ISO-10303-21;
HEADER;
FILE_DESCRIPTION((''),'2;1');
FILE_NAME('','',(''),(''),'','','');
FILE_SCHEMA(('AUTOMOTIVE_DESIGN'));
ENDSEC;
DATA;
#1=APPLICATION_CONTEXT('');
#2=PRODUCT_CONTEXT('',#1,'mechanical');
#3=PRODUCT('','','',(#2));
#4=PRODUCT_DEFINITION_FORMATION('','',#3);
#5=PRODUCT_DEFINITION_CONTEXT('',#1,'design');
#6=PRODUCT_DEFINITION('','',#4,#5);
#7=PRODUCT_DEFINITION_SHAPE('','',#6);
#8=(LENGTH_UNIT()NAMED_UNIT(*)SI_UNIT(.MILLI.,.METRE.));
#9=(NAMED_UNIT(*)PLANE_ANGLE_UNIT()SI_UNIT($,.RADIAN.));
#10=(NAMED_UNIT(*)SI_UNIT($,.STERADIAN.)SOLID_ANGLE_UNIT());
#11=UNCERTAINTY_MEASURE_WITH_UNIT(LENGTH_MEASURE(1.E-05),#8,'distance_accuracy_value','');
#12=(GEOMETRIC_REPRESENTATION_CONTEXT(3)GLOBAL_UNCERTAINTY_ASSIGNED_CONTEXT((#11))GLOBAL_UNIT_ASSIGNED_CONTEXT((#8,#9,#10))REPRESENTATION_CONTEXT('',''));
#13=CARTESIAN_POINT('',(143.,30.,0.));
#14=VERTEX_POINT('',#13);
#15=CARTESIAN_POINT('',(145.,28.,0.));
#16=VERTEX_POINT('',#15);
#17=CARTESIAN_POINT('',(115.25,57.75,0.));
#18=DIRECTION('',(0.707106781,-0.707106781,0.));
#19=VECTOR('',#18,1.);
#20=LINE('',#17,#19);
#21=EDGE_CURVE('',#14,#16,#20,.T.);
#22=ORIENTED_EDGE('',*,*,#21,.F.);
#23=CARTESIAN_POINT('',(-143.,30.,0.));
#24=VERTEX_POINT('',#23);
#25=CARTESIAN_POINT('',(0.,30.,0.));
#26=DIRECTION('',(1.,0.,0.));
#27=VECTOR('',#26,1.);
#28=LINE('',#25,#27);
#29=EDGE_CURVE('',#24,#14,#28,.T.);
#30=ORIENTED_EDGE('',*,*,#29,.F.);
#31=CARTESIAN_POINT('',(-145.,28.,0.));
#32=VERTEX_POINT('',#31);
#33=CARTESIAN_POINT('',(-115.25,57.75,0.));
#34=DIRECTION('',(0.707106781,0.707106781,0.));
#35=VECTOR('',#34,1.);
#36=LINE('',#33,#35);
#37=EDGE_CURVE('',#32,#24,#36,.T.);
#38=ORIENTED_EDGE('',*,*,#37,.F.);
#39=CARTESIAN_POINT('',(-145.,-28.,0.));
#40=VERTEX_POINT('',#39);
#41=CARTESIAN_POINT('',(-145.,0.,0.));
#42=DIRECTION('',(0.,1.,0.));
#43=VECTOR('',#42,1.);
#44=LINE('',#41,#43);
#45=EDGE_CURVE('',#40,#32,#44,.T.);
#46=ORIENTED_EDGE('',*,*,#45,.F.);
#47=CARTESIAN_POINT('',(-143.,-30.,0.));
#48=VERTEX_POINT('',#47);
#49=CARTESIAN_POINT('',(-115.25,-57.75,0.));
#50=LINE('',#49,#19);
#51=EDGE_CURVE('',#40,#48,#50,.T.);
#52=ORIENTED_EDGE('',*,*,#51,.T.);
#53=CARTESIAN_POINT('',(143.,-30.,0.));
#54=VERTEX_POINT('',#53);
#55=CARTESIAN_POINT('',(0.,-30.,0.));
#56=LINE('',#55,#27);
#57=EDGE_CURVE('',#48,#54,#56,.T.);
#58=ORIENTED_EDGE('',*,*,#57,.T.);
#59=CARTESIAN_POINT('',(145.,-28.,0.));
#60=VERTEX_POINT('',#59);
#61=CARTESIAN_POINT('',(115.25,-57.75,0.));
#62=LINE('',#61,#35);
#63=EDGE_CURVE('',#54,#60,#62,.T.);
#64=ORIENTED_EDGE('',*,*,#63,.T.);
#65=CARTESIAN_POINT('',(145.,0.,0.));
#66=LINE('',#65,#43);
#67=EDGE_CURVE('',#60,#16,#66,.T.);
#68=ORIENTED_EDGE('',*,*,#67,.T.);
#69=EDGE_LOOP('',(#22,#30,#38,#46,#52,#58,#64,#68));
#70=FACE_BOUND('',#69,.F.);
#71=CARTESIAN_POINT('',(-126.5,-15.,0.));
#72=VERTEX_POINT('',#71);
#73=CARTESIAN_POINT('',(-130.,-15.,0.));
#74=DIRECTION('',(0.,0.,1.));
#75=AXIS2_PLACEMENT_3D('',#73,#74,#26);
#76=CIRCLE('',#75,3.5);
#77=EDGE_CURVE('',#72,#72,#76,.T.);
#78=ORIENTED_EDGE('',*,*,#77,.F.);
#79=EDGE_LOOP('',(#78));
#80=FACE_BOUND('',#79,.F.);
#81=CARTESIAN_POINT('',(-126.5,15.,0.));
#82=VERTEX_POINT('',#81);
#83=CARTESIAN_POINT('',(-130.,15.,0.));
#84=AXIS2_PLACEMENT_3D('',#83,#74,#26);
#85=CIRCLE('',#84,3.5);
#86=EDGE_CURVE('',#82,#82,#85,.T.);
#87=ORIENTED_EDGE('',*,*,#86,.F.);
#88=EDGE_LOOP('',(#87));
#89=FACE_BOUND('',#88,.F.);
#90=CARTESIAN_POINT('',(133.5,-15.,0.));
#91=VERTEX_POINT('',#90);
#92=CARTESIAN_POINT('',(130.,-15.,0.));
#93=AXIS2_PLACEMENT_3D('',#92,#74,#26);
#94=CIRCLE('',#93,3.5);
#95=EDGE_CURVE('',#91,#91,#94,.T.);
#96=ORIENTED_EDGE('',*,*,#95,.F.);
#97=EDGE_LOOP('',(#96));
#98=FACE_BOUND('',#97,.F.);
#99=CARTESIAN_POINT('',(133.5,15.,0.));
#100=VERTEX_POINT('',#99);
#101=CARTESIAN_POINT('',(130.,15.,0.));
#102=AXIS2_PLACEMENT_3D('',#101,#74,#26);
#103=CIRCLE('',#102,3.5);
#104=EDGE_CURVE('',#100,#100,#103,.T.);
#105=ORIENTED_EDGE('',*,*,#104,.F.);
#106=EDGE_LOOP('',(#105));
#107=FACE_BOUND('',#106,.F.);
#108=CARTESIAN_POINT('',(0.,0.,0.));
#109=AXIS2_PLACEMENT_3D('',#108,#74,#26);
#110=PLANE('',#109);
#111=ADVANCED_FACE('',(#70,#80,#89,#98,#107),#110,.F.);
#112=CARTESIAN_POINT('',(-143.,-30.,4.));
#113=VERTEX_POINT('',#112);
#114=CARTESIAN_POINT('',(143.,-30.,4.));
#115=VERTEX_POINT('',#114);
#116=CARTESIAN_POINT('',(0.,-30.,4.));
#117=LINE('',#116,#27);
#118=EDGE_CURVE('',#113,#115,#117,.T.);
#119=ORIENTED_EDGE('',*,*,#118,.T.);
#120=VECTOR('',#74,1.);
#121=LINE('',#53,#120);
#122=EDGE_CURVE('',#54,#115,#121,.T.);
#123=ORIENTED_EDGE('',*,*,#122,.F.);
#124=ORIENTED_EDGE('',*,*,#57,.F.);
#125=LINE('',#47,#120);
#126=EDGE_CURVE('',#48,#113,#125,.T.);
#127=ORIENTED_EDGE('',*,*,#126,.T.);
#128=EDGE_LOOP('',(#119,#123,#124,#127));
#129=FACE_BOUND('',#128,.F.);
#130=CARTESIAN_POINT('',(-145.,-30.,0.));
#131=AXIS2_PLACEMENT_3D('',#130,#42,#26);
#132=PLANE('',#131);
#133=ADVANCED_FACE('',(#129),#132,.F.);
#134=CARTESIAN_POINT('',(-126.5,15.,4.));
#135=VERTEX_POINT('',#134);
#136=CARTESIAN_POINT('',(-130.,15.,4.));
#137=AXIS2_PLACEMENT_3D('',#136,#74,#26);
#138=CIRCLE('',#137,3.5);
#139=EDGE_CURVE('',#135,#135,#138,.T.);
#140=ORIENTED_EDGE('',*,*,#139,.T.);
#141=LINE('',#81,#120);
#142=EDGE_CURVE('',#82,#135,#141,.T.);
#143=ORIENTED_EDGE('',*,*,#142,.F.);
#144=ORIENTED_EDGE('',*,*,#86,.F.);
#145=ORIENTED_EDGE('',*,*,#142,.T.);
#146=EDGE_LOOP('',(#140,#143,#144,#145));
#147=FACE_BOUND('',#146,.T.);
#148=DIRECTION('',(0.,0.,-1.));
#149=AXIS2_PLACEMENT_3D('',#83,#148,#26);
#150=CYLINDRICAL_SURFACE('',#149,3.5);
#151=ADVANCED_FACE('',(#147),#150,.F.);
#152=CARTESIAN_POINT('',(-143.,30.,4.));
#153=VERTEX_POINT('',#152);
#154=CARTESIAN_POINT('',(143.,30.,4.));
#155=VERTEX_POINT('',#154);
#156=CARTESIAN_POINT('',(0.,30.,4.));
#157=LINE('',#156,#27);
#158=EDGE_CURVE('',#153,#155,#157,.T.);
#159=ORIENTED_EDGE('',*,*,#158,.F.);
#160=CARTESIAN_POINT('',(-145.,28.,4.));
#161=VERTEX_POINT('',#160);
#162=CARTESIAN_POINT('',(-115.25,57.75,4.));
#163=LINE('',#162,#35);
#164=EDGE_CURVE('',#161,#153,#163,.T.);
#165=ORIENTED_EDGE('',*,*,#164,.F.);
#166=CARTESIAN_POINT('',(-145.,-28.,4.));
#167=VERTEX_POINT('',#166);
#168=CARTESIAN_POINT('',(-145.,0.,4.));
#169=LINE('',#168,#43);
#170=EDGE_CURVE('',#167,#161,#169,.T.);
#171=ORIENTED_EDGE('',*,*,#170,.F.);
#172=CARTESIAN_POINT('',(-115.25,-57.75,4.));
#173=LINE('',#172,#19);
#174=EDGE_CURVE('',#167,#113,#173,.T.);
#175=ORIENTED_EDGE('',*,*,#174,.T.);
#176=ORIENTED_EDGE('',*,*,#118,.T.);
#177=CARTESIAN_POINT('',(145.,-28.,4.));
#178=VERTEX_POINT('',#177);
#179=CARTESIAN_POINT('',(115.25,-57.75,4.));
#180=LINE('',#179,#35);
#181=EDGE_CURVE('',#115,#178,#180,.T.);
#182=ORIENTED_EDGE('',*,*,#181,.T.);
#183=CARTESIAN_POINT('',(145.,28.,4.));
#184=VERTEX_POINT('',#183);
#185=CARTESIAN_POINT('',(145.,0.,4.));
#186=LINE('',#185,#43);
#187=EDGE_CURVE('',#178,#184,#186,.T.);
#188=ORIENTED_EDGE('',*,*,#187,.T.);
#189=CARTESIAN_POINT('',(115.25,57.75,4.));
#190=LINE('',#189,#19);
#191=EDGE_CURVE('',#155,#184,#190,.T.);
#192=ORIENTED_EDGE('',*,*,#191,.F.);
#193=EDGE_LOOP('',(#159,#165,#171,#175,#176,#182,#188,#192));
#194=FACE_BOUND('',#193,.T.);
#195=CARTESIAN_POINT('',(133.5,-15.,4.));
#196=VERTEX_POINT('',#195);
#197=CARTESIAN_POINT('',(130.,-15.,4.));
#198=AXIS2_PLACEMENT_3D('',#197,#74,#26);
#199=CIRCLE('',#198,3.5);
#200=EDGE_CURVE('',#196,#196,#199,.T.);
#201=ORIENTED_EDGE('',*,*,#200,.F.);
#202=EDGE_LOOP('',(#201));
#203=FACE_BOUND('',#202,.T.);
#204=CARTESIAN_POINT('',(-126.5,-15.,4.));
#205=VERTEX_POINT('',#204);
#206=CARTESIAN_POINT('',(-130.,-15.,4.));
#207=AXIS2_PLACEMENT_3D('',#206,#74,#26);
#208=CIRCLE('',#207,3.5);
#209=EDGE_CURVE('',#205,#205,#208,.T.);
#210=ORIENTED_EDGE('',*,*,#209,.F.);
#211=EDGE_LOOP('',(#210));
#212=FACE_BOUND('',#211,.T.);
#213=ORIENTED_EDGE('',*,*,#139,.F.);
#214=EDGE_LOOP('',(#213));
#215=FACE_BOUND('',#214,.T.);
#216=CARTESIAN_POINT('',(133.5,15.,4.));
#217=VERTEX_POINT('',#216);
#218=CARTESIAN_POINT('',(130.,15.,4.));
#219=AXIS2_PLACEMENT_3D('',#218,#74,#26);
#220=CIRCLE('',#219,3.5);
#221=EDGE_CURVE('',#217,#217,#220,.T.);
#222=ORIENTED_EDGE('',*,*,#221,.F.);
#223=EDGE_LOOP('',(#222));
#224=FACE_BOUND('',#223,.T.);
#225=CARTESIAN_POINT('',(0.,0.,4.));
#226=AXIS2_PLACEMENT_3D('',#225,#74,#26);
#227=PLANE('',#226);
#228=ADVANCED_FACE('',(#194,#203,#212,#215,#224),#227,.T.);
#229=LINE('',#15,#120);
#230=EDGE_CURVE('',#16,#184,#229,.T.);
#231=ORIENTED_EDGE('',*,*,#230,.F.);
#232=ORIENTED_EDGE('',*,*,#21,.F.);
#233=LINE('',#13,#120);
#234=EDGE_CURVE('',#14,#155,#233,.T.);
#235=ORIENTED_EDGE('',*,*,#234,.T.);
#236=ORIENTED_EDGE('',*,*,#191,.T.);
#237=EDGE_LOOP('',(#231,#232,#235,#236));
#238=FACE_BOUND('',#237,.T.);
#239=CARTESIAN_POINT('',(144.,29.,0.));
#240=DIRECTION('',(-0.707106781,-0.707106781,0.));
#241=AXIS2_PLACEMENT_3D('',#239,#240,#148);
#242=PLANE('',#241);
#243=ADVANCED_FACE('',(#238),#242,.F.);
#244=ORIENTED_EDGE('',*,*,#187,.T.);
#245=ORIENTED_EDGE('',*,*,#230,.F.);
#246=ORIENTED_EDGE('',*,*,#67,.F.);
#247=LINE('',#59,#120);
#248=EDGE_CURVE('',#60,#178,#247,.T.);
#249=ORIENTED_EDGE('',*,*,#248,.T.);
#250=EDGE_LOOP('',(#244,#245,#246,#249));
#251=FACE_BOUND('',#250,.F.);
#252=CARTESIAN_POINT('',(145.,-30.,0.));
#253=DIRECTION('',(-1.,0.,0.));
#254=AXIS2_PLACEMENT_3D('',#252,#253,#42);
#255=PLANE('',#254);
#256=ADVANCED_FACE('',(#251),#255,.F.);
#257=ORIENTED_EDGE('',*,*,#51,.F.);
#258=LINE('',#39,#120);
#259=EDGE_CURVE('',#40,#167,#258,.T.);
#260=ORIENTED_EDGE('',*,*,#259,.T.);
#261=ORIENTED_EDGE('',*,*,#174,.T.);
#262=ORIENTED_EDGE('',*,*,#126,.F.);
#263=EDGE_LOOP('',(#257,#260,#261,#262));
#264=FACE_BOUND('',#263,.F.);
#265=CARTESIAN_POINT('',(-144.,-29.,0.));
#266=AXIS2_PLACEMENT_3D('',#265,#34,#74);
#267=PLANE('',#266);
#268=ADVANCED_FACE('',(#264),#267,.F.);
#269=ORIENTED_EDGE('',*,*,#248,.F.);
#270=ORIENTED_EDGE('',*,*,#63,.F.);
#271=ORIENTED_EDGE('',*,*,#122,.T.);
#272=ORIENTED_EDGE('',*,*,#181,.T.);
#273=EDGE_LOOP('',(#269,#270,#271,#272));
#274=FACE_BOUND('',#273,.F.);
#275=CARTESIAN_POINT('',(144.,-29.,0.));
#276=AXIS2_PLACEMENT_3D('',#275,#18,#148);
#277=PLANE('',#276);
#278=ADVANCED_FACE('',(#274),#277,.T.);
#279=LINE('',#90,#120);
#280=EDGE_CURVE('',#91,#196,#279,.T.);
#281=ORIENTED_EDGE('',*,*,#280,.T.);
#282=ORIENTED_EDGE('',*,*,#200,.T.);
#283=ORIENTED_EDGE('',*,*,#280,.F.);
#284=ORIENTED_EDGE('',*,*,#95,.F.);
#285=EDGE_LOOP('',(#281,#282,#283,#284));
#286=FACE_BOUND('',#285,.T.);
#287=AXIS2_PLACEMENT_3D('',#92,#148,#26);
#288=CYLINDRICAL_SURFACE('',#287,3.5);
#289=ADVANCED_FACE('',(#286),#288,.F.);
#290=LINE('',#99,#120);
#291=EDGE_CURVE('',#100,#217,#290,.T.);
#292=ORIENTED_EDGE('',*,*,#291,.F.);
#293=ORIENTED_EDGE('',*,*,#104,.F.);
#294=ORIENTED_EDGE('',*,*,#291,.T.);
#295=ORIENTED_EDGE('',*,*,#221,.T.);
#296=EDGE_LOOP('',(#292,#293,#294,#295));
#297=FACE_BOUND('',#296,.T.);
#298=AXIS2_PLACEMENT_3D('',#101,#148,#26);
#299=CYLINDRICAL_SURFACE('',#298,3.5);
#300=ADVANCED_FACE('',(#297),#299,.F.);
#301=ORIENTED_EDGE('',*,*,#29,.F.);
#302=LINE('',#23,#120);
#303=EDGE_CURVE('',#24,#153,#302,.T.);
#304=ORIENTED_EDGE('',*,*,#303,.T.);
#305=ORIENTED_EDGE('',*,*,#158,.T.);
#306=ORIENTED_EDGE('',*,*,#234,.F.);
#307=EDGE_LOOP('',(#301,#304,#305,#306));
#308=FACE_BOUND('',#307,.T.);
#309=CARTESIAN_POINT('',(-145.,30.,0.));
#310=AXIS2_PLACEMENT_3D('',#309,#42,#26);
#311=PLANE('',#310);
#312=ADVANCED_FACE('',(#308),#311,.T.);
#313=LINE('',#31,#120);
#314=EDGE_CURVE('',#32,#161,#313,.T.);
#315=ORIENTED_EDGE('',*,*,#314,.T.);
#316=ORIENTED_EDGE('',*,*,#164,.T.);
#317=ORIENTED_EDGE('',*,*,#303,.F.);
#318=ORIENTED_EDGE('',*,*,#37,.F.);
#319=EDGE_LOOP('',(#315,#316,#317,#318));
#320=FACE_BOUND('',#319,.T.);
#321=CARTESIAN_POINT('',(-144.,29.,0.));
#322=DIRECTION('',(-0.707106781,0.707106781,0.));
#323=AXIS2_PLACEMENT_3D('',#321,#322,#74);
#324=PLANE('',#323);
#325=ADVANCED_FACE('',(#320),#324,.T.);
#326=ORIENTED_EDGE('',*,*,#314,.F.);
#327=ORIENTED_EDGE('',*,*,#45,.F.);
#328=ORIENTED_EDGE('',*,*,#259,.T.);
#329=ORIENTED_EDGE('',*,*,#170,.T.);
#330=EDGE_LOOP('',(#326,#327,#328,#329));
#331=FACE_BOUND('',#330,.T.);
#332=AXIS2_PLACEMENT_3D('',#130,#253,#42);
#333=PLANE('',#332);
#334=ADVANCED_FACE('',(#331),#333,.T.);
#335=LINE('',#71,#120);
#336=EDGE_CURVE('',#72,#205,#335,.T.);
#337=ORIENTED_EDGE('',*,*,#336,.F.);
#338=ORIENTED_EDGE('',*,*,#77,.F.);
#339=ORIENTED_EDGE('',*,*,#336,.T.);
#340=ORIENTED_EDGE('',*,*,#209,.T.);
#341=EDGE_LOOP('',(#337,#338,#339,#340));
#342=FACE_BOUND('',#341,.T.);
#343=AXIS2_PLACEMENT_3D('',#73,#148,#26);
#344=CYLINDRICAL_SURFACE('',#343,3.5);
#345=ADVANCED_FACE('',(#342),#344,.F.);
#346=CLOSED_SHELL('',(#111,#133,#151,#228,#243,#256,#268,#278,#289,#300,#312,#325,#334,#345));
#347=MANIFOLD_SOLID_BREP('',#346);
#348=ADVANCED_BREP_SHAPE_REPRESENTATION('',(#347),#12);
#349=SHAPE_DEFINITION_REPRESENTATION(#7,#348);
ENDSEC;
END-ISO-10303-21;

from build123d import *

# Parameters (mm, degrees)
F0_W     = 290
F0_H     = 60
F0_R     = 3.5
F1_DEPTH = 4
F2_SIZE  = 2


with BuildPart() as f1:
    # F0 (on Top) → F1 (new body)
    with BuildSketch(Plane.XY):
        Rectangle(F0_W, F0_H)
        with Locations((-130, -15)):
            Circle(F0_R, mode=Mode.SUBTRACT)
        with Locations((130, -15)):
            Circle(F0_R, mode=Mode.SUBTRACT)
        with Locations((-130, 15)):
            Circle(F0_R, mode=Mode.SUBTRACT)
        with Locations((130, 15)):
            Circle(F0_R, mode=Mode.SUBTRACT)
    extrude(amount=F1_DEPTH)

    # F2
    f2_edges = [f1.edges().sort_by_distance(p)[0] for p in [
        (-145, 30, 2),
        (-145, -30, 2),
        (145, 30, 2),
        (145, -30, 2),
    ]]
    chamfer(f2_edges, length=F2_SIZE)


solid = f1.part
